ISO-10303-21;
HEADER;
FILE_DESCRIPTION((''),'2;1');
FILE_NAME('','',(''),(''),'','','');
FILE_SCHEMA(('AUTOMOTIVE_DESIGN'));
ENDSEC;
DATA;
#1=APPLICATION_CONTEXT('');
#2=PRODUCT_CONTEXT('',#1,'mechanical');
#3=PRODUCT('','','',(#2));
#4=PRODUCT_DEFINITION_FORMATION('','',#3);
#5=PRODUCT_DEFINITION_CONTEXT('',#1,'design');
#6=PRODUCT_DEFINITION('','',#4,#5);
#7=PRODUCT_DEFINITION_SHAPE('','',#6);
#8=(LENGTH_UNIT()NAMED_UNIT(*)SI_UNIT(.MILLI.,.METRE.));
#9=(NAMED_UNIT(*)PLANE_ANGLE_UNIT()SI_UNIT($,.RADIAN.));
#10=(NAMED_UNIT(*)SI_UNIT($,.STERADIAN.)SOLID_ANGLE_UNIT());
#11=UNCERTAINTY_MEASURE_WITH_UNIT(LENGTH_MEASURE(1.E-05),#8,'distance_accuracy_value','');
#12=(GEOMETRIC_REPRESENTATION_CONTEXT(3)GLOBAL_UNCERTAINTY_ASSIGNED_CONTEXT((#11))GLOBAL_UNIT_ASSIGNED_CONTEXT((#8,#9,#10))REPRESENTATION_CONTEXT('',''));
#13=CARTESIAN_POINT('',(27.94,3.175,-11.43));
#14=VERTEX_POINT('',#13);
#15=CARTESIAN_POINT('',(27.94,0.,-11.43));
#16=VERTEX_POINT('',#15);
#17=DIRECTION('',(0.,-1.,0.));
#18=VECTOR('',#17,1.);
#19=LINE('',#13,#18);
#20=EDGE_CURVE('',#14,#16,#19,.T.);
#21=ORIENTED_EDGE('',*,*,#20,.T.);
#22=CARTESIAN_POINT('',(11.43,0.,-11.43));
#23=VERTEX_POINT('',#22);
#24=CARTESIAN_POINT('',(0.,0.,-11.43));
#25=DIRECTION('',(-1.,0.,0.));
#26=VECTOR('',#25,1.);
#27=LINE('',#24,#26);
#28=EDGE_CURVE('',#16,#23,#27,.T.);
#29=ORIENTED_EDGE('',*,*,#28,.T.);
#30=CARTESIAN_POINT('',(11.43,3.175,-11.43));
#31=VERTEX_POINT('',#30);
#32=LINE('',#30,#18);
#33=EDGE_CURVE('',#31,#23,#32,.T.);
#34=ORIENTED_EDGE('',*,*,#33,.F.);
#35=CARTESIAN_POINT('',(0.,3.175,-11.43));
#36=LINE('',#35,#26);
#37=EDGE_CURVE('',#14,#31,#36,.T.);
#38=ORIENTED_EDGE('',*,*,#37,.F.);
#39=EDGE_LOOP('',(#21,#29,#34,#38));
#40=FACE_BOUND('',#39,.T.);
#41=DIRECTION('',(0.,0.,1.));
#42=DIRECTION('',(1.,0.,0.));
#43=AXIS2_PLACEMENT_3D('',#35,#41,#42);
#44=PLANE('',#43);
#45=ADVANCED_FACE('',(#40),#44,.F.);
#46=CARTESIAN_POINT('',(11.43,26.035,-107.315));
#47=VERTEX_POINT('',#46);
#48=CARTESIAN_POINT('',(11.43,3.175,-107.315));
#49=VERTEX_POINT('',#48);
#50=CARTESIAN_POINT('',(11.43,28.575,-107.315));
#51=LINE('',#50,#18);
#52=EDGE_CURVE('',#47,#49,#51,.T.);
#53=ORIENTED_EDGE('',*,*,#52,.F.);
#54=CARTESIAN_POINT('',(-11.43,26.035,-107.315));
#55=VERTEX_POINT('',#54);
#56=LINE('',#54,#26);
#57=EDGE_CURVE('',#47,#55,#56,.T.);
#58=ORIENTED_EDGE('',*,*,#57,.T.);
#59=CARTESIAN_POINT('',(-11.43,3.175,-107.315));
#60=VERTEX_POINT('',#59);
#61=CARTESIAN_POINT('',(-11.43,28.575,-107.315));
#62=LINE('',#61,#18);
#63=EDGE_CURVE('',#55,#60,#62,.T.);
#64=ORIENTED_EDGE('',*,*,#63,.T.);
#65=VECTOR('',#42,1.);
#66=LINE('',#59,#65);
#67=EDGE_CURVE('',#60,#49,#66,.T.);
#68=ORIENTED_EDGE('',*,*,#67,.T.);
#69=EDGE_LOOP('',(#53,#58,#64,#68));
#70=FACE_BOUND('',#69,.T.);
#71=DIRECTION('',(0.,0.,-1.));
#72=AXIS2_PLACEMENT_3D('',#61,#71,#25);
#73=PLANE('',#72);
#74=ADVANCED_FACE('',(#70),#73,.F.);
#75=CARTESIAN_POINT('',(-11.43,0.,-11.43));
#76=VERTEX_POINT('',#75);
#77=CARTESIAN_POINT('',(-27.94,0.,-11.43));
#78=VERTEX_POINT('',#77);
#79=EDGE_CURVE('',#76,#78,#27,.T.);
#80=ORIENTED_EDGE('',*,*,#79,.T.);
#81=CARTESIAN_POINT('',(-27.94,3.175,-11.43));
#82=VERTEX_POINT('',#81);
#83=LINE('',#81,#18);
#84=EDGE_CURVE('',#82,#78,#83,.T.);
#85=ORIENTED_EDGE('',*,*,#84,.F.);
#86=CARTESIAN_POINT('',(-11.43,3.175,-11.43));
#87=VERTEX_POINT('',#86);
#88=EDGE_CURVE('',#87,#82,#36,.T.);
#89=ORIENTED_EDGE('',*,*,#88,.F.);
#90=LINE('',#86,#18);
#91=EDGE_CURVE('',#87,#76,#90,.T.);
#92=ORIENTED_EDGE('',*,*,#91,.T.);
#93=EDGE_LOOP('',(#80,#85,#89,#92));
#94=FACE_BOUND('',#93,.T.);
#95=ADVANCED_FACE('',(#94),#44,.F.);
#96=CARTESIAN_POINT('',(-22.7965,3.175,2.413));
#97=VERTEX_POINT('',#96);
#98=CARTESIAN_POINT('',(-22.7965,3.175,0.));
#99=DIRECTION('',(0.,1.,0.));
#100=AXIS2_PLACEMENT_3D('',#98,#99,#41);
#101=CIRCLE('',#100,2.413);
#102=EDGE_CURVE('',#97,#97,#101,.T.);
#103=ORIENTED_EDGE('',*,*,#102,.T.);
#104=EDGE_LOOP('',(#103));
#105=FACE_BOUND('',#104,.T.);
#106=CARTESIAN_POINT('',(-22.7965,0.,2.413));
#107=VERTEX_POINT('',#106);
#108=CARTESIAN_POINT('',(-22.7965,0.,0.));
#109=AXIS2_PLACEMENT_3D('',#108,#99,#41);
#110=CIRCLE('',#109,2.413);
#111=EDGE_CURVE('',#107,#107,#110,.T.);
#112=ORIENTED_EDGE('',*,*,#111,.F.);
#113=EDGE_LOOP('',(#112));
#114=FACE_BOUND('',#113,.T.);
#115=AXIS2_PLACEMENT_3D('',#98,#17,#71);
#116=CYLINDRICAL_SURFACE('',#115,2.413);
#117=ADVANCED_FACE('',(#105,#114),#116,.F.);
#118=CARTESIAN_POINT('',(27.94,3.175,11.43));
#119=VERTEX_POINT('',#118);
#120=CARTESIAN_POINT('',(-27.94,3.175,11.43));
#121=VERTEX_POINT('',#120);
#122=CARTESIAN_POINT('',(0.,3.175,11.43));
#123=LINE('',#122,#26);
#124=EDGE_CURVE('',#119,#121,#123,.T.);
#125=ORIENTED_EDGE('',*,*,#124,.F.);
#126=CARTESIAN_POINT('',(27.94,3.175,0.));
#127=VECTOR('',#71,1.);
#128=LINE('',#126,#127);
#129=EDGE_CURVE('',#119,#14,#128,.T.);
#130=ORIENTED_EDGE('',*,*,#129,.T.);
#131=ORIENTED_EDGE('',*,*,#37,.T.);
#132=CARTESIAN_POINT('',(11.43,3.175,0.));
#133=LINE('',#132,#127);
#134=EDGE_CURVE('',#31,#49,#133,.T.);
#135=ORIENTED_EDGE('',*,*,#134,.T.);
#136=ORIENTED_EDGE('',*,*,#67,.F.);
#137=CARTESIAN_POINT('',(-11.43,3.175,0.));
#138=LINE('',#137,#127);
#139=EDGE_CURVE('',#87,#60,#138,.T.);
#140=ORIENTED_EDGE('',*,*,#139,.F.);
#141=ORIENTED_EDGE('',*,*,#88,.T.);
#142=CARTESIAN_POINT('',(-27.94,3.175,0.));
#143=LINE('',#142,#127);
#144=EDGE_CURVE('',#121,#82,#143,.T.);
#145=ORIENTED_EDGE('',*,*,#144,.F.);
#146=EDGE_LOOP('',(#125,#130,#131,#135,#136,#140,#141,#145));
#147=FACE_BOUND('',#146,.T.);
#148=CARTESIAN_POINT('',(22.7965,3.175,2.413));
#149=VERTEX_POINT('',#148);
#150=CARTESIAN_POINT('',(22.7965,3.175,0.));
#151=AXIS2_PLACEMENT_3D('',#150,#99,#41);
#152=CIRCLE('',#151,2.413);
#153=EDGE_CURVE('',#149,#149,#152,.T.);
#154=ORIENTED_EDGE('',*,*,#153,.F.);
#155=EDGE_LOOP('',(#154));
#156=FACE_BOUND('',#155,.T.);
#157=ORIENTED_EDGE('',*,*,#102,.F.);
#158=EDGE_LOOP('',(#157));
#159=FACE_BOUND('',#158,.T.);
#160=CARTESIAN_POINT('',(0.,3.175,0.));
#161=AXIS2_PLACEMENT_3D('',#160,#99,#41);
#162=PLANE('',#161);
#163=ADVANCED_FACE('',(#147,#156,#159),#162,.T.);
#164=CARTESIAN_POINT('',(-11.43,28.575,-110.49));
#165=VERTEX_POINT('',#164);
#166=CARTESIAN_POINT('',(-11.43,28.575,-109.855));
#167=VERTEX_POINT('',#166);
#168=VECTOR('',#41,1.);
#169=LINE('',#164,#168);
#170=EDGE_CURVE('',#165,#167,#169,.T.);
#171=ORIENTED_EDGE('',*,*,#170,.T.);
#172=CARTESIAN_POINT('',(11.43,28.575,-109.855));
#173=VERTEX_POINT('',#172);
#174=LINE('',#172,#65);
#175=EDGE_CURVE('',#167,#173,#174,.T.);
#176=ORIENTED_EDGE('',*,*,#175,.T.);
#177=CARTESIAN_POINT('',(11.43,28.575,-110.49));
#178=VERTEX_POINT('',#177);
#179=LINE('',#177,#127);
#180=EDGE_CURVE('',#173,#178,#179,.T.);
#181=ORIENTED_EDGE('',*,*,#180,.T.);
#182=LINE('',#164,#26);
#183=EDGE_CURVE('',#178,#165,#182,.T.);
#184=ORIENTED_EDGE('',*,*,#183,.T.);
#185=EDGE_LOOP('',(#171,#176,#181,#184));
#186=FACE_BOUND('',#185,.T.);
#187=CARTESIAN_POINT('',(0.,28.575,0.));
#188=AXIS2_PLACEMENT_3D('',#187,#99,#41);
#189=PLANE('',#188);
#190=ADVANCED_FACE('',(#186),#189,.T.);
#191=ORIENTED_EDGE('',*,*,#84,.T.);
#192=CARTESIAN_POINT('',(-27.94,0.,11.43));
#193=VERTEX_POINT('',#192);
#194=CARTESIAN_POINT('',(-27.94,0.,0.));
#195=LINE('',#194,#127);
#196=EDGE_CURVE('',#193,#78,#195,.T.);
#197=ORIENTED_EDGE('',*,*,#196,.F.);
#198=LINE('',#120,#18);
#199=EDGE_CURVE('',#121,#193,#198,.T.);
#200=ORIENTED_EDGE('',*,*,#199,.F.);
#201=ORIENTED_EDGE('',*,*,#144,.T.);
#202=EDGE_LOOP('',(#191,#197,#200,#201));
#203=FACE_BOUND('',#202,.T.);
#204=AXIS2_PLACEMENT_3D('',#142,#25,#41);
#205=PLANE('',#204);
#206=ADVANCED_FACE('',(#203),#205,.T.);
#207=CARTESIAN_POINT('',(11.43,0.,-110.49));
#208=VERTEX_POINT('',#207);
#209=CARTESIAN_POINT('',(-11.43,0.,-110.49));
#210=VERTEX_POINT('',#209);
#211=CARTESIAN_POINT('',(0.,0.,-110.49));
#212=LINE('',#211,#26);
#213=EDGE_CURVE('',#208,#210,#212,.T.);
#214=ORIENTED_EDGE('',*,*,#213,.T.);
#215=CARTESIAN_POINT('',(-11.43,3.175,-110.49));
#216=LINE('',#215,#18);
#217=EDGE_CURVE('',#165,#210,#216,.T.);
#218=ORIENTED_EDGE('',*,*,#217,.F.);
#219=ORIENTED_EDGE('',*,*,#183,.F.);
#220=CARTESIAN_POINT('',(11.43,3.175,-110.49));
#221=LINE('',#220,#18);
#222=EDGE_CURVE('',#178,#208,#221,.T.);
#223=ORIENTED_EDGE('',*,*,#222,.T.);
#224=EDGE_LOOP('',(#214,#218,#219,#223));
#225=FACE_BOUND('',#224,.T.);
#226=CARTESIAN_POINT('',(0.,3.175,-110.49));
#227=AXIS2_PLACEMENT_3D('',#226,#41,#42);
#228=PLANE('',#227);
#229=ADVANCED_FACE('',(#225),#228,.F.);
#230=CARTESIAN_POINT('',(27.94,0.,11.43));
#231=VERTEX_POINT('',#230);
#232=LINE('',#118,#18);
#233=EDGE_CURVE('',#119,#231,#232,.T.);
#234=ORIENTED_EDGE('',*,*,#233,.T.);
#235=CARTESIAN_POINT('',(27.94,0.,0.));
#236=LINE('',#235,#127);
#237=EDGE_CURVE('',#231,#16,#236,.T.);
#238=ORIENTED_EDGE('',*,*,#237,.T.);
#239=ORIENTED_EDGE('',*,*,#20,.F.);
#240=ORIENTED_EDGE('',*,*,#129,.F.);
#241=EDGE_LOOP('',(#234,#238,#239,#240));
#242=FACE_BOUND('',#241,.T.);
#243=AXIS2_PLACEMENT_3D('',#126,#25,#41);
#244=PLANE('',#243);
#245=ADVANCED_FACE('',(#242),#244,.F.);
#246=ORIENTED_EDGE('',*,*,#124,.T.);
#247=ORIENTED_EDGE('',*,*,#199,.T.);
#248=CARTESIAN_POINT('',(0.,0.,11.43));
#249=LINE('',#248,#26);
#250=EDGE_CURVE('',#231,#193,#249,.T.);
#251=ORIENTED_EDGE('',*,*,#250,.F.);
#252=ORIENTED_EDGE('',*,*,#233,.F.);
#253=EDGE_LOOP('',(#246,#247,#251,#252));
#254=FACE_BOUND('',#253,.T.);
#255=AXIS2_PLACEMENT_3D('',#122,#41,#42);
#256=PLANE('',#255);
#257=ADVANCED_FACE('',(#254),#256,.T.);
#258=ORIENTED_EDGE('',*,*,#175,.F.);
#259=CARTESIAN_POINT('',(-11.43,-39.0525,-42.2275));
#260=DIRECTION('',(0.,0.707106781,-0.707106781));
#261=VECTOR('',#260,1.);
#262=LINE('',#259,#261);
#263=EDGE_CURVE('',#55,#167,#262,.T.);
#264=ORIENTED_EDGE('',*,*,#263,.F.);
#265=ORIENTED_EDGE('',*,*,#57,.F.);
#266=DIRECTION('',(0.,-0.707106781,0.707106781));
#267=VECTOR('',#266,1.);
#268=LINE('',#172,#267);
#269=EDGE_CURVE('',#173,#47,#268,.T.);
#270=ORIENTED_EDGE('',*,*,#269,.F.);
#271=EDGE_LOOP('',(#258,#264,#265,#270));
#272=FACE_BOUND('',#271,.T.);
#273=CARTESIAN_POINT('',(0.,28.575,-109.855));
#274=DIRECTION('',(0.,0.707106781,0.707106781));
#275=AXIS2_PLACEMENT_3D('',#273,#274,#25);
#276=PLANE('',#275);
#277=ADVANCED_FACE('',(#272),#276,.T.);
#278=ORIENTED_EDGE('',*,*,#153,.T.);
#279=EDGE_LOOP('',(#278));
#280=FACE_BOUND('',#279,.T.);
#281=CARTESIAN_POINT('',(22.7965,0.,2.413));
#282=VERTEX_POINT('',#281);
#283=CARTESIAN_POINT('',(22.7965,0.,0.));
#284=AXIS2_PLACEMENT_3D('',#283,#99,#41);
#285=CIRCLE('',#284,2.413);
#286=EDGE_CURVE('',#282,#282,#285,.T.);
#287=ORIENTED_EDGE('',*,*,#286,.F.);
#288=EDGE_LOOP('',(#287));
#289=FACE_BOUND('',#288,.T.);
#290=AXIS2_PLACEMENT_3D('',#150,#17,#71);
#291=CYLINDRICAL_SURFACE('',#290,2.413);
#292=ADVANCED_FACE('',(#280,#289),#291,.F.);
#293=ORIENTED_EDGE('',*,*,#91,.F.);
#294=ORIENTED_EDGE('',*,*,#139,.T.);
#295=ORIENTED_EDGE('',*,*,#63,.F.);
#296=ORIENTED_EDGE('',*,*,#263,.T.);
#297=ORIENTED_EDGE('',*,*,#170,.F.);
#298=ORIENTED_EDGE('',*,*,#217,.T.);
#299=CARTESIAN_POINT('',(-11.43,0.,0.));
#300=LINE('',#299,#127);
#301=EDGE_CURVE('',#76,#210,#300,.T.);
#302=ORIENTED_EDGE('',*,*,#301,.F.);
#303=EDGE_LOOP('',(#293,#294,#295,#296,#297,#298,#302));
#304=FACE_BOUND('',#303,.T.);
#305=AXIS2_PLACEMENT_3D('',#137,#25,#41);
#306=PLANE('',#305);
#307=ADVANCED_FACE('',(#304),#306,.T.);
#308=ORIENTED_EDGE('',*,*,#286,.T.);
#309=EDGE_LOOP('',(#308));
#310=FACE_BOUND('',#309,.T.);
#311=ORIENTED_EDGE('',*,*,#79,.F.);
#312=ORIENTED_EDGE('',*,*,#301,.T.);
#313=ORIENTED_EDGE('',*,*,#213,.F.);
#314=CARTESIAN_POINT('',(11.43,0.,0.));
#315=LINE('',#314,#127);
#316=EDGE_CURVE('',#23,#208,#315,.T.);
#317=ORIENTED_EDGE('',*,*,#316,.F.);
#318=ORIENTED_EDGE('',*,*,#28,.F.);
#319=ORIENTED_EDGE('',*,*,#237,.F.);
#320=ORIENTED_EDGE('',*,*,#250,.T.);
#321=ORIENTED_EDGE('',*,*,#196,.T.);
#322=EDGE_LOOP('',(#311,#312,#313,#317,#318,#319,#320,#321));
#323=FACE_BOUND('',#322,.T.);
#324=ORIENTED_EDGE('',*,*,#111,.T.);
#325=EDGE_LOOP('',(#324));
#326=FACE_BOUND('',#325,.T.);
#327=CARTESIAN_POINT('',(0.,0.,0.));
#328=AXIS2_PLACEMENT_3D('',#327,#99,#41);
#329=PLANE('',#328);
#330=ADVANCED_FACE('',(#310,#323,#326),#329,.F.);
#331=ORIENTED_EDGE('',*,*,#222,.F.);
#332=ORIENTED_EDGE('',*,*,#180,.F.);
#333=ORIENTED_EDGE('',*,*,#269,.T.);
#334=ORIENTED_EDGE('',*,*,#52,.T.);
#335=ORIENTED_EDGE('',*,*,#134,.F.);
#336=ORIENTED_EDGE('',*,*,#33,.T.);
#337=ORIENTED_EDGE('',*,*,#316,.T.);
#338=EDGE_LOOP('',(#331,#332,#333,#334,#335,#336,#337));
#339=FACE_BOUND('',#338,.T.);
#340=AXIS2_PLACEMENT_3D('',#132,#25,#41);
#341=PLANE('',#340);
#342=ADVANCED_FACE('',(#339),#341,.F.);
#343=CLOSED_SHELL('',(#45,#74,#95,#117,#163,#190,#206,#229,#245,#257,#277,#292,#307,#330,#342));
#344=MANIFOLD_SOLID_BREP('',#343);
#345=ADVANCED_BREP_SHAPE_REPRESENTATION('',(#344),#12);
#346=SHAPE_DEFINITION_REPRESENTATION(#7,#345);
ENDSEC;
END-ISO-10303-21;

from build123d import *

# Parameters (mm, degrees)
SKETCH1_R           = 2.413
BOSS_EXTRUDE1_DEPTH = 3.175
SKETCH2_W           = 22.86
SKETCH2_H           = 3.175
BOSS_EXTRUDE2_DEPTH = 25.4
CHAMFER1_SIZE       = 2.54


with BuildPart() as part:
    # Sketch1 → Boss-Extrude1 (new body)
    with BuildSketch(Plane(origin=(0, 0, 0), x_dir=(1, 0, 0), z_dir=(0, 1, 0))):
        Polygon((-27.94, -11.43), (27.94, -11.43), (27.94, 11.43), (11.43, 11.43), (11.43, 110.49), (-11.43, 110.49), (-11.43, 11.43), (-27.94, 11.43), align=None)
        with Locations((-22.7965, 0)):
            Circle(SKETCH1_R, mode=Mode.SUBTRACT)
        with Locations((22.7965, 0)):
            Circle(SKETCH1_R, mode=Mode.SUBTRACT)
    extrude(amount=BOSS_EXTRUDE1_DEPTH)

    # Sketch2 → Boss-Extrude2 (add)
    with BuildSketch(Plane(origin=(0, 3.175, 0), x_dir=(1, 0, 0), z_dir=(0, 1, 0))):
        with Locations((0, 108.9025)):
            Rectangle(SKETCH2_W, SKETCH2_H)
    extrude(amount=BOSS_EXTRUDE2_DEPTH)

    # Chamfer1
    chamfer1_edges = [part.edges().sort_by_distance(p)[0] for p in [
        (0, 28.575, -107.315),
    ]]
    chamfer(chamfer1_edges, length=CHAMFER1_SIZE)


solid = part.part
